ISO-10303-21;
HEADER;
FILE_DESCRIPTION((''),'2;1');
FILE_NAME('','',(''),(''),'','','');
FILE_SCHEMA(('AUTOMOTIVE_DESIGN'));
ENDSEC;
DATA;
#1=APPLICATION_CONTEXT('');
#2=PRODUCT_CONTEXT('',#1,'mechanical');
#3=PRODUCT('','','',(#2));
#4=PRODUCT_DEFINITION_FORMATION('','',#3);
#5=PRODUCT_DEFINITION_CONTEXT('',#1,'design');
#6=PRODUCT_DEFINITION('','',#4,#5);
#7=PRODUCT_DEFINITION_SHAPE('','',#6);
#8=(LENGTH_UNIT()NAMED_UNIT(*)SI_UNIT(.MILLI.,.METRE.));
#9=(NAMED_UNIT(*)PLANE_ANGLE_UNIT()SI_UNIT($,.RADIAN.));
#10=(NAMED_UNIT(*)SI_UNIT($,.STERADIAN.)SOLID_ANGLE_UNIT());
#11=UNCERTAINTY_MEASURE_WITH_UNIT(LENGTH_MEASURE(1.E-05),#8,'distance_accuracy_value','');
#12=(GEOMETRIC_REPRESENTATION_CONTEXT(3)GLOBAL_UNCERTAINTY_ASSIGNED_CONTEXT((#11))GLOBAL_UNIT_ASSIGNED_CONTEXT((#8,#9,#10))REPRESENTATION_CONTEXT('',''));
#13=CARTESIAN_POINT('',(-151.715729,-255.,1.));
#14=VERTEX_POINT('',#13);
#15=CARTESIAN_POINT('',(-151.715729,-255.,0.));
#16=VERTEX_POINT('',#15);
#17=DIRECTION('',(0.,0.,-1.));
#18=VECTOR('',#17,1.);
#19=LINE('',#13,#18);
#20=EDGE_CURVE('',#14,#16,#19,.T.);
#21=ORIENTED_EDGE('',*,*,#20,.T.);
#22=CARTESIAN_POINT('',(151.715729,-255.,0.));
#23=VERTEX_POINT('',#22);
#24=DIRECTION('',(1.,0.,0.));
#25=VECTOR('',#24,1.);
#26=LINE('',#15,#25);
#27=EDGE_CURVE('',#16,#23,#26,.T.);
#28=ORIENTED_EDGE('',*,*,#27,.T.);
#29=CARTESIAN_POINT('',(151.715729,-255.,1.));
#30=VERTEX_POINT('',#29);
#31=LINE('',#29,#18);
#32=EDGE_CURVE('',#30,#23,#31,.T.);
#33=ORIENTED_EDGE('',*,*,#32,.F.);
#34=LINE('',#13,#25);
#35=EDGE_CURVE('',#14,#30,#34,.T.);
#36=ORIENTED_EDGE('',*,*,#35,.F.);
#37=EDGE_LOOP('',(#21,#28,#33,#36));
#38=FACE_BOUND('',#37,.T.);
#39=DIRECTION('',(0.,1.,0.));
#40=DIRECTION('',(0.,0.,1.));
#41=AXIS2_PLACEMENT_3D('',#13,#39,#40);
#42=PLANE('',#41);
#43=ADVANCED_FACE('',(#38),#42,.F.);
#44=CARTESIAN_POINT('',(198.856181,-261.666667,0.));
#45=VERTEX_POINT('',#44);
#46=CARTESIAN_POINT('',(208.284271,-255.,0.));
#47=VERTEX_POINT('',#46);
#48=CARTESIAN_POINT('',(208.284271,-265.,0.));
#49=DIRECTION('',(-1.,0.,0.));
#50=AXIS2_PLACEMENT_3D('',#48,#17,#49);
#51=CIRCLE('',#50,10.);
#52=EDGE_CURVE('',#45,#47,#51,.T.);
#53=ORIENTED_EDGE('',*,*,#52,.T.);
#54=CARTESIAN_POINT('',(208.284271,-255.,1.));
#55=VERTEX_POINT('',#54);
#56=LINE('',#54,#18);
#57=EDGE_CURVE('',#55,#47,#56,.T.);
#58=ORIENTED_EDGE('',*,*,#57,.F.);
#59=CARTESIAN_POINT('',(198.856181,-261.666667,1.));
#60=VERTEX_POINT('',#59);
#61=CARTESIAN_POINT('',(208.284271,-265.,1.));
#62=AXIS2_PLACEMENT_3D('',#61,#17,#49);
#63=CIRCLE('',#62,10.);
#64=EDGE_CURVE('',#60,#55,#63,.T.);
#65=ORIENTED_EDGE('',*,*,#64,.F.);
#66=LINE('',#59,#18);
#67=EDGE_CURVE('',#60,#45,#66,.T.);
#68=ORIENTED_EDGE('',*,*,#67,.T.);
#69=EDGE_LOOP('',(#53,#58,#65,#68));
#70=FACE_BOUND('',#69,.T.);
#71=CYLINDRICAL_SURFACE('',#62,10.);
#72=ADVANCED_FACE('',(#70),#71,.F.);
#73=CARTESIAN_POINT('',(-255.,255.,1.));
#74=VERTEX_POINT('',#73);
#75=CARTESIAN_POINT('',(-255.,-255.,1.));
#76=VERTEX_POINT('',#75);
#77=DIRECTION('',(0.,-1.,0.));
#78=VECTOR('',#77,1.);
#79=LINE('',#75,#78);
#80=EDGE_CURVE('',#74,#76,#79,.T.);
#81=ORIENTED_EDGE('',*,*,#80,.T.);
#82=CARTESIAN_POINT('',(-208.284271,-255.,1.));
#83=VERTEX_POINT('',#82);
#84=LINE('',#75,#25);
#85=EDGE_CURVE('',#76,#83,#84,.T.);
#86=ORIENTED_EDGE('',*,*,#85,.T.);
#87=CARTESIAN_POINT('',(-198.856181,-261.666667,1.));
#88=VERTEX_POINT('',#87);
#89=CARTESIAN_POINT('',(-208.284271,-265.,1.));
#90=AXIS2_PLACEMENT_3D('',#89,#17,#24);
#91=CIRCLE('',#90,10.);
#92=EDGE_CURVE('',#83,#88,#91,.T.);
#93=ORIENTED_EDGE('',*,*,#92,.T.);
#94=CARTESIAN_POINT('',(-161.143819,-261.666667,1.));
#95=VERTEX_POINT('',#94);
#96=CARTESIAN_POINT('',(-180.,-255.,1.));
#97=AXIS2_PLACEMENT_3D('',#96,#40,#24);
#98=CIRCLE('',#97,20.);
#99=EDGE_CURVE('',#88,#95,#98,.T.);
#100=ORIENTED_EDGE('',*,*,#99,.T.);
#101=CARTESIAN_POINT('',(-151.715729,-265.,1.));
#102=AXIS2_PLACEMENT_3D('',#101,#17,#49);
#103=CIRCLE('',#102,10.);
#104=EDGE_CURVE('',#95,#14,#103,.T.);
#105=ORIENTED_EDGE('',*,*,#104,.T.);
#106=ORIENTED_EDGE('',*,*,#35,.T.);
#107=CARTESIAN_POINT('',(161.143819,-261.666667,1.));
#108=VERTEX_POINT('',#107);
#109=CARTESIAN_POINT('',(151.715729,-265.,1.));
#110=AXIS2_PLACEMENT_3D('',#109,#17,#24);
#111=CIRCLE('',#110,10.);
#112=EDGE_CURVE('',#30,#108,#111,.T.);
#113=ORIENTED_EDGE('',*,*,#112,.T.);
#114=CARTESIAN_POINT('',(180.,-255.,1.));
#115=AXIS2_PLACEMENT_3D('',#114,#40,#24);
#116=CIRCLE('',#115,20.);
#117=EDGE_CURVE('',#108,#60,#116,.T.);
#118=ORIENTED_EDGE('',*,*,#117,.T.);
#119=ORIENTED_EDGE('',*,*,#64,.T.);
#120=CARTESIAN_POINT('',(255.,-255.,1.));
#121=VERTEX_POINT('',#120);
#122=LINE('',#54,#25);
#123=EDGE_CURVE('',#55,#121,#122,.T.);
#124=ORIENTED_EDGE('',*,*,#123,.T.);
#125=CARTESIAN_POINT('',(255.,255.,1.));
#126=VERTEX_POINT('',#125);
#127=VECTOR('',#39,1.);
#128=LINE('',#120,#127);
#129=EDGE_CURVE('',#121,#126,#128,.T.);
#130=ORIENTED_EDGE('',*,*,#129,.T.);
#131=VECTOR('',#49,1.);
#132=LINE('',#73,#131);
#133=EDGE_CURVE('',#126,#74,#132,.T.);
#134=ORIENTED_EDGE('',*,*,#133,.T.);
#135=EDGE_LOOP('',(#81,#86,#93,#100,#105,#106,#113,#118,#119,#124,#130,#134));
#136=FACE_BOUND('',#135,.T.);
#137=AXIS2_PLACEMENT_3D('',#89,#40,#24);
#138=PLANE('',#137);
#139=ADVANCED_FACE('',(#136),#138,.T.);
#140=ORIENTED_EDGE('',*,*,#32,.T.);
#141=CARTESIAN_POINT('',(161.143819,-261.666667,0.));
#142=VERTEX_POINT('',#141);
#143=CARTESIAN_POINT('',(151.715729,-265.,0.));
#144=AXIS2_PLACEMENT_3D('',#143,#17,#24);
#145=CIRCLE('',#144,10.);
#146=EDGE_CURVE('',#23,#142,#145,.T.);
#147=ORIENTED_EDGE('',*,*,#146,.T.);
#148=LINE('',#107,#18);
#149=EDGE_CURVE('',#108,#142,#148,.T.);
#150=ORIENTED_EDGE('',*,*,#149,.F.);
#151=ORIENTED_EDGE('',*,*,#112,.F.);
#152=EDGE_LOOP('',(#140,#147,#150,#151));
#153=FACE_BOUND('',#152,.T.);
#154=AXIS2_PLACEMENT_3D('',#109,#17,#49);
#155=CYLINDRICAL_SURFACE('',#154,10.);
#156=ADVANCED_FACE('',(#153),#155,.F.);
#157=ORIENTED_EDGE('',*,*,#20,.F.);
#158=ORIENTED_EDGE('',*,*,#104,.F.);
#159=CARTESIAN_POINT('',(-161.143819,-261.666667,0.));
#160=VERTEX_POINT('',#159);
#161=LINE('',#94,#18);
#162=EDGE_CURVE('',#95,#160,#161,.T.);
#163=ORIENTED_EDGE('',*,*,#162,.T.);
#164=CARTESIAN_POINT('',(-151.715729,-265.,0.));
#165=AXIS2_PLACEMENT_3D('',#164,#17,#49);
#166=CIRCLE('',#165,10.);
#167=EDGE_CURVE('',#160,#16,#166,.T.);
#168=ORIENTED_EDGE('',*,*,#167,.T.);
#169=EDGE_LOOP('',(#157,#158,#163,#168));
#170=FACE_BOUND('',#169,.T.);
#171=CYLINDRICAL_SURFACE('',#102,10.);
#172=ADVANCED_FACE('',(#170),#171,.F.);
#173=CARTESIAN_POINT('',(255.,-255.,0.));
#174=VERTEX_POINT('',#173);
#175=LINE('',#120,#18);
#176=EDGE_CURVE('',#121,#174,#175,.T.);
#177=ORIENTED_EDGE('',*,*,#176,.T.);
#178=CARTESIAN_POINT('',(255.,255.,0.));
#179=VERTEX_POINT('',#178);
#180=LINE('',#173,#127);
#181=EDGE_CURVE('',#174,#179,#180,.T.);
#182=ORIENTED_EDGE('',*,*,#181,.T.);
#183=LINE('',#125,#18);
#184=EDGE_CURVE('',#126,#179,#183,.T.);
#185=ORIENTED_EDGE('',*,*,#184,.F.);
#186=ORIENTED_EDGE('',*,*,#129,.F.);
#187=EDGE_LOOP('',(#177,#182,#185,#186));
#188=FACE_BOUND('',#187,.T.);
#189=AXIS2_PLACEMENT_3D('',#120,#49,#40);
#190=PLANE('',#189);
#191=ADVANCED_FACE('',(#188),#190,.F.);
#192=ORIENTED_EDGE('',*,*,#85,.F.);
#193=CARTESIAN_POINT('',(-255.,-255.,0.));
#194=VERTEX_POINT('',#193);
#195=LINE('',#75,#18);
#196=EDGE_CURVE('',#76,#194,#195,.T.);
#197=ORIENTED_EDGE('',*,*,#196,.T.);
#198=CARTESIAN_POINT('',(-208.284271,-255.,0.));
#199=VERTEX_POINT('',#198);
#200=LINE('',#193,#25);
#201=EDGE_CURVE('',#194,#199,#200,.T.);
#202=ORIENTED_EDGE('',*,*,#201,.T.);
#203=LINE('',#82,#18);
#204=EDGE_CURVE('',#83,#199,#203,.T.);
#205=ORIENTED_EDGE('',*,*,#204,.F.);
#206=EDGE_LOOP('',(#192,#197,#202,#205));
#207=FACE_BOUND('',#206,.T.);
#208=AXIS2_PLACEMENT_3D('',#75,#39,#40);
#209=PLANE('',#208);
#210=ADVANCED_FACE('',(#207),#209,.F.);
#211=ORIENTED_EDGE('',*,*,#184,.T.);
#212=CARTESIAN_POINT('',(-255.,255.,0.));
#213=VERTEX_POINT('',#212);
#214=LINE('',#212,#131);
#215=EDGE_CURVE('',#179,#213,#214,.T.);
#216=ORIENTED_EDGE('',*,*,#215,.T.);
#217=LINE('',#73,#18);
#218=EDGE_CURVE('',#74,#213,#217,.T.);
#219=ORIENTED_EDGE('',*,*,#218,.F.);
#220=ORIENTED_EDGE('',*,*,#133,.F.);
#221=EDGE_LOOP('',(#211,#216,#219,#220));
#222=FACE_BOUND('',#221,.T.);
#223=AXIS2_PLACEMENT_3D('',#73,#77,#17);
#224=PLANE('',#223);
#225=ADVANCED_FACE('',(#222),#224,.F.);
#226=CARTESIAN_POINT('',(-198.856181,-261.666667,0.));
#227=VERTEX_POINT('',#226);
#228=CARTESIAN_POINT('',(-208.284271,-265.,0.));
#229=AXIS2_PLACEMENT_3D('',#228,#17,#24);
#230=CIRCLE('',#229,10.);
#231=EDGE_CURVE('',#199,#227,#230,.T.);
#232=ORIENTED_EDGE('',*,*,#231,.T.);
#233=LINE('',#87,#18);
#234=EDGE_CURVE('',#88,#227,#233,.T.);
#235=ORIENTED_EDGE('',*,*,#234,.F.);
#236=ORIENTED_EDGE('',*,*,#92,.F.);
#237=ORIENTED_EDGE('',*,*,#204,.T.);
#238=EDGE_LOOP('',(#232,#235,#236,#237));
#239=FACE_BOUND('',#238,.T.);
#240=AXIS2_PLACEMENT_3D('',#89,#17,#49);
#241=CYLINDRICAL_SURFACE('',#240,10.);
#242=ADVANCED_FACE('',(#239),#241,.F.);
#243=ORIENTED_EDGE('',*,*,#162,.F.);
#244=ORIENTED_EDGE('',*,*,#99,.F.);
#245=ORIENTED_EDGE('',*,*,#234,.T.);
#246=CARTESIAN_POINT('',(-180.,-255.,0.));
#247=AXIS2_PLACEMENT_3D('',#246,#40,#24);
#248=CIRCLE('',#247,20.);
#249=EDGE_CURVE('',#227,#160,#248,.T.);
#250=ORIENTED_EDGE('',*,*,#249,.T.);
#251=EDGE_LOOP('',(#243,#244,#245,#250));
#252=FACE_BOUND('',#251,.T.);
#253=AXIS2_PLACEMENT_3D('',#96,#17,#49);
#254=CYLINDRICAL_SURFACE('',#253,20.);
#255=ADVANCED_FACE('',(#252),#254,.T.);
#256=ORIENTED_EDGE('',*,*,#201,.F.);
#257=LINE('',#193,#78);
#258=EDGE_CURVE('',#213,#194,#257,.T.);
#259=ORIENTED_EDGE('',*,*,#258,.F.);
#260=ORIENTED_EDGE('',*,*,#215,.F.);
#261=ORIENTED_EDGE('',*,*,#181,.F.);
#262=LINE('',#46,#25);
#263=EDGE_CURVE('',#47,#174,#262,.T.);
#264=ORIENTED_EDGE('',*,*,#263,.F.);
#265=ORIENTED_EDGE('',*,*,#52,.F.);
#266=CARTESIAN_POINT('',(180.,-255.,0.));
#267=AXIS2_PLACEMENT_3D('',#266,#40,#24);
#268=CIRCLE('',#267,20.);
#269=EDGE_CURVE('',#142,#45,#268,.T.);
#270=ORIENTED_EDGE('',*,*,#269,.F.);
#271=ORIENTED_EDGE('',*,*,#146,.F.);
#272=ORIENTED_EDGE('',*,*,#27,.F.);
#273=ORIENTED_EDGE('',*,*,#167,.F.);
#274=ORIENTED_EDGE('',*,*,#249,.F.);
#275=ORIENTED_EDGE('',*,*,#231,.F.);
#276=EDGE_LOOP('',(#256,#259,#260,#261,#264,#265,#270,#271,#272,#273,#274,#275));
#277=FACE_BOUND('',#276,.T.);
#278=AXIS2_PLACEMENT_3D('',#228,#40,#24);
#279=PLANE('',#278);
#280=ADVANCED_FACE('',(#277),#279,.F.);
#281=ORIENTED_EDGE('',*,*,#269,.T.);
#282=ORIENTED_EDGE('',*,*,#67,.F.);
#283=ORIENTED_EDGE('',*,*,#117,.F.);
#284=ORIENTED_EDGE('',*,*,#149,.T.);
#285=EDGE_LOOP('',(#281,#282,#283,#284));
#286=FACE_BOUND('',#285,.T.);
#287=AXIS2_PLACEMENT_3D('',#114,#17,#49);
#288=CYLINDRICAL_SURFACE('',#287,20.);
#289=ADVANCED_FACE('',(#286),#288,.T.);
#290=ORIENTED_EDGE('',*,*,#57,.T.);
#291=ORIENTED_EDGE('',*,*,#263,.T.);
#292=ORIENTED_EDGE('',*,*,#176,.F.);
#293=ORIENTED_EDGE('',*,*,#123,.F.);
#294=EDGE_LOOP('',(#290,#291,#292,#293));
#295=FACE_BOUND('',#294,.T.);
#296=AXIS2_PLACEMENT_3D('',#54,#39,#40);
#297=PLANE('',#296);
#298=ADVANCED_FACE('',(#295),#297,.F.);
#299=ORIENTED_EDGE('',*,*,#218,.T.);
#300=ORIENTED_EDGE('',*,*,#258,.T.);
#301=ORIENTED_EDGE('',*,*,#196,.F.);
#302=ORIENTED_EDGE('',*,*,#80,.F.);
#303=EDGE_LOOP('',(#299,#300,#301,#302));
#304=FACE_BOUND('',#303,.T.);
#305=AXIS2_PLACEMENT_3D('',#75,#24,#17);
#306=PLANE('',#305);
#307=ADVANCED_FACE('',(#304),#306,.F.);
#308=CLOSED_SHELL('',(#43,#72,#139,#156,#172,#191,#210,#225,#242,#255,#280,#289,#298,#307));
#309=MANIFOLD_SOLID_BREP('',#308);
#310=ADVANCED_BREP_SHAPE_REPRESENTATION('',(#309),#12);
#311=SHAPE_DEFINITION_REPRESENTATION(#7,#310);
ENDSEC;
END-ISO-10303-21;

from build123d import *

# Parameters (mm, degrees)
BOSS_EXTRUDE1_DEPTH = 1


with BuildPart() as part:
    # Sketch1 → Boss-Extrude1 (new body)
    with BuildSketch(Plane.XY):
        with BuildLine():
            Line((208.284271247, -255), (255, -255))
            Line((255, -255), (255, 255))
            Line((255, 255), (-255, 255))
            Line((-255, 255), (-255, -255))
            Line((-255, -255), (-208.284271247, -255))
            ThreePointArc((-208.284271247, -255), (-202.510768556, -256.835034191), (-198.856180832, -261.666666667))
            ThreePointArc((-198.856180832, -261.666666667), (-180, -275), (-161.143819168, -261.666666667))
            ThreePointArc((-161.143819168, -261.666666667), (-157.489231444, -256.835034191), (-151.715728753, -255))
            Line((-151.715728753, -255), (151.715728753, -255))
            ThreePointArc((151.715728753, -255), (157.489231444, -256.835034191), (161.143819168, -261.666666667))
            ThreePointArc((161.143819168, -261.666666667), (180, -275), (198.856180832, -261.666666667))
            ThreePointArc((198.856180832, -261.666666667), (202.510768556, -256.835034191), (208.284271247, -255))
        make_face()
    extrude(amount=BOSS_EXTRUDE1_DEPTH)


solid = part.part
